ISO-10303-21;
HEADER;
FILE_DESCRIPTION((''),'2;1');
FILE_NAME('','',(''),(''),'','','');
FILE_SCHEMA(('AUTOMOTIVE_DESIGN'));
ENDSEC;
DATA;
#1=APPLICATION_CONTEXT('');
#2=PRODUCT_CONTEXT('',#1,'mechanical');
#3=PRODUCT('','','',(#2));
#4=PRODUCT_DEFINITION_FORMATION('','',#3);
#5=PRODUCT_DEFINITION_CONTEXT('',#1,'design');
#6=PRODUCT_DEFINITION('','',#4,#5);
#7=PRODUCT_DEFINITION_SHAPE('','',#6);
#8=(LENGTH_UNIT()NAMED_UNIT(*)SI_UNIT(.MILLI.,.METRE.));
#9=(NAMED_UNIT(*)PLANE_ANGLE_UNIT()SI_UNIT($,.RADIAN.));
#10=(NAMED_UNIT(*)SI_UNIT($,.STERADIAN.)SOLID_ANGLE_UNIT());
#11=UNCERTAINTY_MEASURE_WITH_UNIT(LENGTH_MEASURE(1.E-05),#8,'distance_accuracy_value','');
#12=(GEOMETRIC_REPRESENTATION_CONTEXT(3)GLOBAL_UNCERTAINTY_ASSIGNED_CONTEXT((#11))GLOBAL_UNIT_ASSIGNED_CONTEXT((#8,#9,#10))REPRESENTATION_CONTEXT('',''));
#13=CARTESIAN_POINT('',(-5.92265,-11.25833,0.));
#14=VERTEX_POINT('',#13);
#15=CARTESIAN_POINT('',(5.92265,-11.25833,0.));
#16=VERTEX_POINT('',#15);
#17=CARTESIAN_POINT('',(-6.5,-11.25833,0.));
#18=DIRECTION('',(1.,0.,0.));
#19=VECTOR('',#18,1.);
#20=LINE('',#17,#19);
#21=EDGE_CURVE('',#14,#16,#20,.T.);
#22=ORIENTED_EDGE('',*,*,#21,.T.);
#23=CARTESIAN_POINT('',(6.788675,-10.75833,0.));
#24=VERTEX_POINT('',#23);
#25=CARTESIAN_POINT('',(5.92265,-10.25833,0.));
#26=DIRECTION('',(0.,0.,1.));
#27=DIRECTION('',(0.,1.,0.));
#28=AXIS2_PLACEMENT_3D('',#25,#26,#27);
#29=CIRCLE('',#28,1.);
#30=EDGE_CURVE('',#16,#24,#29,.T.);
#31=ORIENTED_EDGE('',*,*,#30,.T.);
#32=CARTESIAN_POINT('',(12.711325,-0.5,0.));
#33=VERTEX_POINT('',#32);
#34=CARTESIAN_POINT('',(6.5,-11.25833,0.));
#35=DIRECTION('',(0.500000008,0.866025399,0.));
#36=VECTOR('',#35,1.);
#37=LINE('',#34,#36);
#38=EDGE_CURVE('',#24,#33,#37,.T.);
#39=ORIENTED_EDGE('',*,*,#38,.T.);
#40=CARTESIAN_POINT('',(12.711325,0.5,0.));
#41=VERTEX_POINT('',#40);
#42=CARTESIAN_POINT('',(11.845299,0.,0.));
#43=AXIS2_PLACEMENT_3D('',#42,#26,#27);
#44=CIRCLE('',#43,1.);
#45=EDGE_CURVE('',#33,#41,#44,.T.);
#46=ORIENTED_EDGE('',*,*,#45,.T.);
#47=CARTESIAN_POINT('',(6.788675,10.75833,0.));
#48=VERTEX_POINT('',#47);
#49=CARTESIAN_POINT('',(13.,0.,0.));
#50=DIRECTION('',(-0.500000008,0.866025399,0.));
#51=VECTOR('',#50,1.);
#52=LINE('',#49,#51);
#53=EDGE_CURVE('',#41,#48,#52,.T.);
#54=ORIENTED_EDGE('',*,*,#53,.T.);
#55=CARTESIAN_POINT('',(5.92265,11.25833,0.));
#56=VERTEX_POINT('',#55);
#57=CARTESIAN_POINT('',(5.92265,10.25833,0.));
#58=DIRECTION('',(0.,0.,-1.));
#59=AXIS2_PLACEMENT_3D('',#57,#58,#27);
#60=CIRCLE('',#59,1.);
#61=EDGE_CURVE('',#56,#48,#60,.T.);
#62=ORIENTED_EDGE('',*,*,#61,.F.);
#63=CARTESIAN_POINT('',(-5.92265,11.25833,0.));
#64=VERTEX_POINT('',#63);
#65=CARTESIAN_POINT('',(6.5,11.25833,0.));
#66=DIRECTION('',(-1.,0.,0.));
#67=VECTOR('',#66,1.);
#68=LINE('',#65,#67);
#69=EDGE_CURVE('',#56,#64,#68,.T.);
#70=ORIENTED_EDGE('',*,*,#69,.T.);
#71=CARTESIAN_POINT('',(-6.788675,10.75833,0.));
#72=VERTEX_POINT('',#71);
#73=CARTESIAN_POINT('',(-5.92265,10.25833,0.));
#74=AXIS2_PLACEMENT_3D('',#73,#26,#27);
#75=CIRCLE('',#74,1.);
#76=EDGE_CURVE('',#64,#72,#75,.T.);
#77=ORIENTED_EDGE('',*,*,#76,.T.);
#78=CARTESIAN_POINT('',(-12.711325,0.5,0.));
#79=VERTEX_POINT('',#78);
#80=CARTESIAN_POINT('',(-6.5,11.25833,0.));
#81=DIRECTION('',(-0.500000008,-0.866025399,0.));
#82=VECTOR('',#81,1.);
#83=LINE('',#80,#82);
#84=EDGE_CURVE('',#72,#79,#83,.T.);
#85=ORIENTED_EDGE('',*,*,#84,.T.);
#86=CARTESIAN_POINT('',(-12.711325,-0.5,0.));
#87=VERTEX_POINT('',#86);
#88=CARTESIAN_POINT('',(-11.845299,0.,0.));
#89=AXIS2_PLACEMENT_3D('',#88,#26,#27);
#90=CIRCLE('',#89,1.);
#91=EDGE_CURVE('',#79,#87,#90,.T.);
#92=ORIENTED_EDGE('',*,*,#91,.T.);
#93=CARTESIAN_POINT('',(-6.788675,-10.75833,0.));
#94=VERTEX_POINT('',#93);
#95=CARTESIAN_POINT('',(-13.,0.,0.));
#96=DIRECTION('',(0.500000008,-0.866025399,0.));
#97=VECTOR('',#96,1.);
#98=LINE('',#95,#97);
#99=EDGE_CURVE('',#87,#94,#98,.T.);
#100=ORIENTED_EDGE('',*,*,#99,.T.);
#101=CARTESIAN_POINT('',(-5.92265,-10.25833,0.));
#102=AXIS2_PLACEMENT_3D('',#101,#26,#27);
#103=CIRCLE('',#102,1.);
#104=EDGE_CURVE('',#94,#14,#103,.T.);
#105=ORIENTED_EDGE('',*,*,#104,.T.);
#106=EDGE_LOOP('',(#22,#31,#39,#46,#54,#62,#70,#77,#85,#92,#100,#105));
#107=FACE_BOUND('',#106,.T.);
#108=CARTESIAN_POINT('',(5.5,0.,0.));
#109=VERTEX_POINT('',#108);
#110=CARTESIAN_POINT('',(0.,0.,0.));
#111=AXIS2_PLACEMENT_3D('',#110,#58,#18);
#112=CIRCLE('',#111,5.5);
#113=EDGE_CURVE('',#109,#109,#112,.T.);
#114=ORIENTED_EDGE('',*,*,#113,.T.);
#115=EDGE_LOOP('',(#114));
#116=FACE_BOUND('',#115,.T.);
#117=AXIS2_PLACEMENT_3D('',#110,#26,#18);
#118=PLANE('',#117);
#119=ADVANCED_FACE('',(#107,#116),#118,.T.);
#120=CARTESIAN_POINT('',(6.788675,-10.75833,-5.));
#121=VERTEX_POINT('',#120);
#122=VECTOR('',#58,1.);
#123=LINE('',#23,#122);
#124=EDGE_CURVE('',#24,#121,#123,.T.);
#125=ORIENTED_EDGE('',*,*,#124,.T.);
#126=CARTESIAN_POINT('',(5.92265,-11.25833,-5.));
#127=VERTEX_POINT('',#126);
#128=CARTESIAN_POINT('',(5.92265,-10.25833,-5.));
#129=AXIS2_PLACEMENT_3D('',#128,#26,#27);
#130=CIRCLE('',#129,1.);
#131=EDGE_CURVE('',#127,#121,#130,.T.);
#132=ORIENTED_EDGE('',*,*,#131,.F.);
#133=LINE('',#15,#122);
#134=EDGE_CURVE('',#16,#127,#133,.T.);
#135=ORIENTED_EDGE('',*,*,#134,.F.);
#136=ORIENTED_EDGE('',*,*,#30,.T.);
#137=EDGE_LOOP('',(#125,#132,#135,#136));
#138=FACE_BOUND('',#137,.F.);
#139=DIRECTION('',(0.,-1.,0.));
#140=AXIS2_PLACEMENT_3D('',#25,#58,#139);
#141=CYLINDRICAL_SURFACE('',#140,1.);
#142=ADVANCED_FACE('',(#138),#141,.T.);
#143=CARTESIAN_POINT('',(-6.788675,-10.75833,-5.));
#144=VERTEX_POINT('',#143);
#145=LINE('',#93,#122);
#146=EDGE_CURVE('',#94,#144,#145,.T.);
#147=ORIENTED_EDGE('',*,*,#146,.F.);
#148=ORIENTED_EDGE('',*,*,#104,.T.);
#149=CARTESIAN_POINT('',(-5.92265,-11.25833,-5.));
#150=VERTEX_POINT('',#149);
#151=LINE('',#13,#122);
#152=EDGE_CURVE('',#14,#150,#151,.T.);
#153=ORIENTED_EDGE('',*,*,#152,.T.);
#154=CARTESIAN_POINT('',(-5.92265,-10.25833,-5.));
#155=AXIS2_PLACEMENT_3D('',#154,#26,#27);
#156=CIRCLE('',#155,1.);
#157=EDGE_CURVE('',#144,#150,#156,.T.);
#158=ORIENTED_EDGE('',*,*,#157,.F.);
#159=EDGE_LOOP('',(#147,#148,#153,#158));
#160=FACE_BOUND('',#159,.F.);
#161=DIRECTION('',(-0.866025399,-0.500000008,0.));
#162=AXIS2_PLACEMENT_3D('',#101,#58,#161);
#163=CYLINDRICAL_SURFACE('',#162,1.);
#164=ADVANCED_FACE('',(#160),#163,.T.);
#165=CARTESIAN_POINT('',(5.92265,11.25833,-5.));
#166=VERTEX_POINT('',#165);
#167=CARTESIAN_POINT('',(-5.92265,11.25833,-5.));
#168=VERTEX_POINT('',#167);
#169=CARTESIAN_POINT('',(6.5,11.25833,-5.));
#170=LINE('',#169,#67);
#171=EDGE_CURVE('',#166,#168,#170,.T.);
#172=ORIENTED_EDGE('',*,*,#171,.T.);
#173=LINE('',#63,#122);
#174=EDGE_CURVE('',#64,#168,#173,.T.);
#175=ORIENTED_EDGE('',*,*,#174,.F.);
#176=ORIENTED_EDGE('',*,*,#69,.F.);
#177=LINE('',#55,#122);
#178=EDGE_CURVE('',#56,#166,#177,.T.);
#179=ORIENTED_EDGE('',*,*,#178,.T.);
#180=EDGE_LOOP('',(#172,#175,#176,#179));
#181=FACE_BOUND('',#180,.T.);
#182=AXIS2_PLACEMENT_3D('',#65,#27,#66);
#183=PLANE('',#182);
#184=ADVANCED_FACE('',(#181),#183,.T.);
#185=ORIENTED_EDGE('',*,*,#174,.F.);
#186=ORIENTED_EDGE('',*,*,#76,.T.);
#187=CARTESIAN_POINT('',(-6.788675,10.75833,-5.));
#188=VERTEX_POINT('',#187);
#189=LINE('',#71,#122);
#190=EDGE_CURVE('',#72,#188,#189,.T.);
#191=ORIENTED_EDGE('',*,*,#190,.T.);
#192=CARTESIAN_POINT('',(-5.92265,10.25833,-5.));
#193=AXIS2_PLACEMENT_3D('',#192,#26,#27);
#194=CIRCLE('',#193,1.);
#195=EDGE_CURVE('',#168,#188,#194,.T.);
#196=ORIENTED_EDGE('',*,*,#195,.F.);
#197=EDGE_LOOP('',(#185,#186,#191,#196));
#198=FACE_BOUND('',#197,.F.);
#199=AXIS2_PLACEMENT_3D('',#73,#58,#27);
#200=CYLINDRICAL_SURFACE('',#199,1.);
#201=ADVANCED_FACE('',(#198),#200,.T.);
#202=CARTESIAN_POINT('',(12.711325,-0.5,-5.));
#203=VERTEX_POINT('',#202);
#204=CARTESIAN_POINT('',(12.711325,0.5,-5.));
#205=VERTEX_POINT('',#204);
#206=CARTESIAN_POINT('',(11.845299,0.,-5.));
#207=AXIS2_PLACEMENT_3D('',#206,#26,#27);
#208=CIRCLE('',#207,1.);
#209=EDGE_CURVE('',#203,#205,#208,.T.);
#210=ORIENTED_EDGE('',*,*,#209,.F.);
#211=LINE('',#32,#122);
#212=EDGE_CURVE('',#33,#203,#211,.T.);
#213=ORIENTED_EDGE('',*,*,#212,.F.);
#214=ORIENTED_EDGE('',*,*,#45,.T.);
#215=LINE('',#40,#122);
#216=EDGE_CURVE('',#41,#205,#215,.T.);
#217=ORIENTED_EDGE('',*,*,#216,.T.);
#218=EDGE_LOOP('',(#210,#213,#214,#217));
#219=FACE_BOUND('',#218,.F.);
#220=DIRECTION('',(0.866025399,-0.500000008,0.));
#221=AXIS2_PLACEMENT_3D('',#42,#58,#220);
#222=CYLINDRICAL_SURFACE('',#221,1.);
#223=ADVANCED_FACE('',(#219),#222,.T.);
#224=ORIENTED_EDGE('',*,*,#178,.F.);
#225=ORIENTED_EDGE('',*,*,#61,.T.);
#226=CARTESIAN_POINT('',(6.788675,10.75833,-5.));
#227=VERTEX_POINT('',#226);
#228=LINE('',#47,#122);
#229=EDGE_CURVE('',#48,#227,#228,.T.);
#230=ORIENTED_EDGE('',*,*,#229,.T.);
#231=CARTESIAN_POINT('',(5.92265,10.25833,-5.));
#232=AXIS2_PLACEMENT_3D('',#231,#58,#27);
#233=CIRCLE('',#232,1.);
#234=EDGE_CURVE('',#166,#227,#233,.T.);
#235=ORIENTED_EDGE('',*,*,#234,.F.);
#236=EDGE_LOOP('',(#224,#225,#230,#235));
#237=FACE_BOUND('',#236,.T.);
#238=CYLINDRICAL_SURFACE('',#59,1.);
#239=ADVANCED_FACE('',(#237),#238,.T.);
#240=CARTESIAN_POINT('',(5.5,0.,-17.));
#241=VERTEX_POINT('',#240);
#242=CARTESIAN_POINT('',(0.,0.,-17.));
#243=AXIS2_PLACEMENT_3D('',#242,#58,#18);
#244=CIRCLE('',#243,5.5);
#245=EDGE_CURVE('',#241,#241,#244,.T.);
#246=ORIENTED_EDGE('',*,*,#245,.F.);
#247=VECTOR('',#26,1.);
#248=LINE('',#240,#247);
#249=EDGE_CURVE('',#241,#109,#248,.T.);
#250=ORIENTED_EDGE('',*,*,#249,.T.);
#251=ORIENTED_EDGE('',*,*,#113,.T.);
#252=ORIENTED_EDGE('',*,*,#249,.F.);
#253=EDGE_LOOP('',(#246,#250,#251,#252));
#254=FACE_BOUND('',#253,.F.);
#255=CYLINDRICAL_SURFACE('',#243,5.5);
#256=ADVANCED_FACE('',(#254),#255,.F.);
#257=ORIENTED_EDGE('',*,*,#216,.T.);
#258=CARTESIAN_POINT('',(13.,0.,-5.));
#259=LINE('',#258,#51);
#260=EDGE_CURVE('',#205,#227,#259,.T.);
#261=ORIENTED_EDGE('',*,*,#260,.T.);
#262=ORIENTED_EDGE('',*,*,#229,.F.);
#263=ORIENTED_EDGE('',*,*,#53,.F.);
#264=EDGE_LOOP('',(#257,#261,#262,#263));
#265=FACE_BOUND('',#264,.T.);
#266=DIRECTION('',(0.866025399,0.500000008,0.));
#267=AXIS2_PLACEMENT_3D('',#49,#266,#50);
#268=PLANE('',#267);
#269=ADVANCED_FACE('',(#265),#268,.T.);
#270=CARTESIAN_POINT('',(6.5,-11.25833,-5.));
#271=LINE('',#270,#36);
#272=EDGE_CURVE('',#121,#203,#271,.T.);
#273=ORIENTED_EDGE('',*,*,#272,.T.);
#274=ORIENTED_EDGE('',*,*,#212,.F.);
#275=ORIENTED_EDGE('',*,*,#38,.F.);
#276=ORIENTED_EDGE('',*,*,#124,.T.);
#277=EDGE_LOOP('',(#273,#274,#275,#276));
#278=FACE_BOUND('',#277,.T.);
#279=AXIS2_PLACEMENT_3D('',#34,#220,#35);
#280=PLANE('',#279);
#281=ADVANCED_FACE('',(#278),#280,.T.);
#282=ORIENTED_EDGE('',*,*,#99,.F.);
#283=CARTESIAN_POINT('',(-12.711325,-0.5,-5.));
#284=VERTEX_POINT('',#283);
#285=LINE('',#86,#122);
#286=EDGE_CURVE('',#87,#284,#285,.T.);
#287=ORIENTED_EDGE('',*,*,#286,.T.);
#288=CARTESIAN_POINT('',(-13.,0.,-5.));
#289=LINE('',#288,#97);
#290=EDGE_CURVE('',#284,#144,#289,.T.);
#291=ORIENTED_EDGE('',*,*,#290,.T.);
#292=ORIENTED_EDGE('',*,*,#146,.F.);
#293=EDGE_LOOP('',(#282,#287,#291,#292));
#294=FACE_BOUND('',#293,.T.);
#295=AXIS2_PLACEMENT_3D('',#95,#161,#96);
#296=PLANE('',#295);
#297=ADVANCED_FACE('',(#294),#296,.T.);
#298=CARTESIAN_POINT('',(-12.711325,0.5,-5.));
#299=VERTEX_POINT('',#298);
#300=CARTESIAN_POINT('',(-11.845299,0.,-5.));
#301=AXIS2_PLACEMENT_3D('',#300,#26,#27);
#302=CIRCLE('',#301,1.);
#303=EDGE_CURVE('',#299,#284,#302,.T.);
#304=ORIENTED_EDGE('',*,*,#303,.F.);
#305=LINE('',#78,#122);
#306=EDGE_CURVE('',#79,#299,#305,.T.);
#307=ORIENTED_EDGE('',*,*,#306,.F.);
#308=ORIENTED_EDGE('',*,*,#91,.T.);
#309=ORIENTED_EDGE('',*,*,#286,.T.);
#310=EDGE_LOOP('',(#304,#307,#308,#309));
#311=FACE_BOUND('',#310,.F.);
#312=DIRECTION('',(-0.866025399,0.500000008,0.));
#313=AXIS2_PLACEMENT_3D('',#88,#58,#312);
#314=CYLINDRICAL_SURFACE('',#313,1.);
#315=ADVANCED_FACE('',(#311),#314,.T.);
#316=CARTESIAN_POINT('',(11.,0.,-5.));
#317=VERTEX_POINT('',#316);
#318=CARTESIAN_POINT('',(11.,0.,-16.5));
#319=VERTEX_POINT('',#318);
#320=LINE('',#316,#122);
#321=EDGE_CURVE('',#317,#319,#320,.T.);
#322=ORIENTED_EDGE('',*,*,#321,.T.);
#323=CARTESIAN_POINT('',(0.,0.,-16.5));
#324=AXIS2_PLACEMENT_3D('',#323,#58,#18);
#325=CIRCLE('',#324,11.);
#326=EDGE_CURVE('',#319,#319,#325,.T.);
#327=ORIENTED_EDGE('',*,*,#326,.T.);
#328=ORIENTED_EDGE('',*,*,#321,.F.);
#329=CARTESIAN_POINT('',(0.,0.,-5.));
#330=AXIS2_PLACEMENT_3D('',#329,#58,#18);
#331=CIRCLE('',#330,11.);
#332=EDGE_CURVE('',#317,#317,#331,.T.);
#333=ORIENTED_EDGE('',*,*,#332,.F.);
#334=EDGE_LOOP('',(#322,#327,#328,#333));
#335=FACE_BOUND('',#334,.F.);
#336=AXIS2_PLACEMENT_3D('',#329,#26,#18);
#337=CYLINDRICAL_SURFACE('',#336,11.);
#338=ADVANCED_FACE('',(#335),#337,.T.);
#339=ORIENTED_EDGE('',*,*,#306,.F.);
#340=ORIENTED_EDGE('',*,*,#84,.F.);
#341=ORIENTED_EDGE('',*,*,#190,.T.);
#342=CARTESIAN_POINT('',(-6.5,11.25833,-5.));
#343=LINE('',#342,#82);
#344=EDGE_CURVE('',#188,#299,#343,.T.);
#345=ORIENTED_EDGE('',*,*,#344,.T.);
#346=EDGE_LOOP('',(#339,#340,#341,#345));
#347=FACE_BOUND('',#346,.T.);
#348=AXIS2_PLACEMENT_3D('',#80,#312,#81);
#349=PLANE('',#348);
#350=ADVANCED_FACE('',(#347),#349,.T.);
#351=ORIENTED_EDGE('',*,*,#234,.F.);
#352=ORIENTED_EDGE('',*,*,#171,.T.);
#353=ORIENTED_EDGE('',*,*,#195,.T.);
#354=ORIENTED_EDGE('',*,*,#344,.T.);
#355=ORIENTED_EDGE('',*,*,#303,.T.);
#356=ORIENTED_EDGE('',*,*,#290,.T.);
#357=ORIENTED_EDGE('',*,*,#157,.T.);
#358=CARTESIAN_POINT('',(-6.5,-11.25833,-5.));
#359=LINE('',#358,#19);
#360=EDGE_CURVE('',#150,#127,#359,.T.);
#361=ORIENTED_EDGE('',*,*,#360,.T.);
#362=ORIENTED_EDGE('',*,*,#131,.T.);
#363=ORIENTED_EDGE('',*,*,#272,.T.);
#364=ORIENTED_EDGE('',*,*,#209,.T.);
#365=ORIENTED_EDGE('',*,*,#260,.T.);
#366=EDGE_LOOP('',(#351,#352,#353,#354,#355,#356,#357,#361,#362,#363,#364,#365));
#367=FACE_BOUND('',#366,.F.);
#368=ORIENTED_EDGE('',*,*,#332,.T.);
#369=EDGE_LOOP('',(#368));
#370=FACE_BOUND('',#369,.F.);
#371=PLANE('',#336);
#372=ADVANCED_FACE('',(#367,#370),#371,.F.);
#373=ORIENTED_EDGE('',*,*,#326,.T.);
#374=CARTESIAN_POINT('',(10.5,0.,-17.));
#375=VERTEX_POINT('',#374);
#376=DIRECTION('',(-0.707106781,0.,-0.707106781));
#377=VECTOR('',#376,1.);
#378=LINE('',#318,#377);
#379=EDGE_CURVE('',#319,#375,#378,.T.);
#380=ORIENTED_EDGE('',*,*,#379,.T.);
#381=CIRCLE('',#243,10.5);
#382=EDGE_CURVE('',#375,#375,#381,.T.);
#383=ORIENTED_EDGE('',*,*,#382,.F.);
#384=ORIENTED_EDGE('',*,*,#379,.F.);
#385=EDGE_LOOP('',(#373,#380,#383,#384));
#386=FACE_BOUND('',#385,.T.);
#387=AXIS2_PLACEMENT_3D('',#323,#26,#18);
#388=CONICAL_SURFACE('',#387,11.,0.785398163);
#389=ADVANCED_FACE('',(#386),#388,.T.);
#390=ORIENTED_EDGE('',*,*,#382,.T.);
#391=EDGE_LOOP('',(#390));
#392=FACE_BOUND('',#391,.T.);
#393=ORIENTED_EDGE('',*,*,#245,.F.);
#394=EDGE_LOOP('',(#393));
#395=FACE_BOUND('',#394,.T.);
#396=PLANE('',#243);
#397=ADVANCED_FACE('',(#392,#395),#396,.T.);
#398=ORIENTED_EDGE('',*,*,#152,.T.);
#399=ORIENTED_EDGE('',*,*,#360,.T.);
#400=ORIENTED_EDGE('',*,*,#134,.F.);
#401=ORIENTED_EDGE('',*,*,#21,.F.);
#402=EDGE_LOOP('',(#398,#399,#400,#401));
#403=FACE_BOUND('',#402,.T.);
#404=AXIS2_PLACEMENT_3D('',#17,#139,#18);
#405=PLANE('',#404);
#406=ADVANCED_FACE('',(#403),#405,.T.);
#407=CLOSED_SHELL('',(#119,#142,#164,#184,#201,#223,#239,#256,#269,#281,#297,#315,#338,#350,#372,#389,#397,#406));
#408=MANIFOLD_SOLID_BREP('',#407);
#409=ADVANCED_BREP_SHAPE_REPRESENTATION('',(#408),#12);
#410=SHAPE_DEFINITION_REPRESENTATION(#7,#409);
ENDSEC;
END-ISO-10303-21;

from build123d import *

# Parameters (mm, degrees)
F1_DEPTH = 5
F2_R     = 1
F4_R     = 11
F5_DEPTH = 12
F6_SIZE  = 0.5
F7_R     = 5.5
F8_DEPTH = 17.001


with BuildPart() as f1:
    # F0 (on Top) → F1 (new body)
    with BuildSketch(Plane.XY):
        Polygon((6.5, 11.25833), (-6.5, 11.25833), (-13, 0), (-6.5, -11.25833), (6.5, -11.25833), (13, 0), align=None)
    extrude(amount=-F1_DEPTH)

    # F2
    f2_edges = [f1.edges().sort_by_distance(p)[0] for p in [
        (6.5, -11.25833, -2.5),
        (-6.5, -11.25833, -2.5),
        (-13, 0, -2.5),
        (13, 0, -2.5),
        (6.5, 11.25833, -2.5),
        (-6.5, 11.25833, -2.5),
    ]]
    fillet(f2_edges, radius=F2_R)

    # F4 (on offset) → F5 (join)
    with BuildSketch(Plane(origin=(0, 0, -5), x_dir=(1, 0, 0), z_dir=(0, 0, -1))):
        Circle(F4_R)
    extrude(amount=F5_DEPTH)

    # F6
    f6_edges = [f1.edges().sort_by_distance(p)[0] for p in [
        (-11, 0, -17),
    ]]
    chamfer(f6_edges, length=F6_SIZE)

    # F7 (on face) → F8 (cut, through all)
    with BuildSketch(Plane(origin=(0, 0, -17), x_dir=(1, 0, 0), z_dir=(0, 0, -1))):
        Circle(F7_R)
    extrude(amount=-F8_DEPTH, mode=Mode.SUBTRACT)


solid = f1.part
